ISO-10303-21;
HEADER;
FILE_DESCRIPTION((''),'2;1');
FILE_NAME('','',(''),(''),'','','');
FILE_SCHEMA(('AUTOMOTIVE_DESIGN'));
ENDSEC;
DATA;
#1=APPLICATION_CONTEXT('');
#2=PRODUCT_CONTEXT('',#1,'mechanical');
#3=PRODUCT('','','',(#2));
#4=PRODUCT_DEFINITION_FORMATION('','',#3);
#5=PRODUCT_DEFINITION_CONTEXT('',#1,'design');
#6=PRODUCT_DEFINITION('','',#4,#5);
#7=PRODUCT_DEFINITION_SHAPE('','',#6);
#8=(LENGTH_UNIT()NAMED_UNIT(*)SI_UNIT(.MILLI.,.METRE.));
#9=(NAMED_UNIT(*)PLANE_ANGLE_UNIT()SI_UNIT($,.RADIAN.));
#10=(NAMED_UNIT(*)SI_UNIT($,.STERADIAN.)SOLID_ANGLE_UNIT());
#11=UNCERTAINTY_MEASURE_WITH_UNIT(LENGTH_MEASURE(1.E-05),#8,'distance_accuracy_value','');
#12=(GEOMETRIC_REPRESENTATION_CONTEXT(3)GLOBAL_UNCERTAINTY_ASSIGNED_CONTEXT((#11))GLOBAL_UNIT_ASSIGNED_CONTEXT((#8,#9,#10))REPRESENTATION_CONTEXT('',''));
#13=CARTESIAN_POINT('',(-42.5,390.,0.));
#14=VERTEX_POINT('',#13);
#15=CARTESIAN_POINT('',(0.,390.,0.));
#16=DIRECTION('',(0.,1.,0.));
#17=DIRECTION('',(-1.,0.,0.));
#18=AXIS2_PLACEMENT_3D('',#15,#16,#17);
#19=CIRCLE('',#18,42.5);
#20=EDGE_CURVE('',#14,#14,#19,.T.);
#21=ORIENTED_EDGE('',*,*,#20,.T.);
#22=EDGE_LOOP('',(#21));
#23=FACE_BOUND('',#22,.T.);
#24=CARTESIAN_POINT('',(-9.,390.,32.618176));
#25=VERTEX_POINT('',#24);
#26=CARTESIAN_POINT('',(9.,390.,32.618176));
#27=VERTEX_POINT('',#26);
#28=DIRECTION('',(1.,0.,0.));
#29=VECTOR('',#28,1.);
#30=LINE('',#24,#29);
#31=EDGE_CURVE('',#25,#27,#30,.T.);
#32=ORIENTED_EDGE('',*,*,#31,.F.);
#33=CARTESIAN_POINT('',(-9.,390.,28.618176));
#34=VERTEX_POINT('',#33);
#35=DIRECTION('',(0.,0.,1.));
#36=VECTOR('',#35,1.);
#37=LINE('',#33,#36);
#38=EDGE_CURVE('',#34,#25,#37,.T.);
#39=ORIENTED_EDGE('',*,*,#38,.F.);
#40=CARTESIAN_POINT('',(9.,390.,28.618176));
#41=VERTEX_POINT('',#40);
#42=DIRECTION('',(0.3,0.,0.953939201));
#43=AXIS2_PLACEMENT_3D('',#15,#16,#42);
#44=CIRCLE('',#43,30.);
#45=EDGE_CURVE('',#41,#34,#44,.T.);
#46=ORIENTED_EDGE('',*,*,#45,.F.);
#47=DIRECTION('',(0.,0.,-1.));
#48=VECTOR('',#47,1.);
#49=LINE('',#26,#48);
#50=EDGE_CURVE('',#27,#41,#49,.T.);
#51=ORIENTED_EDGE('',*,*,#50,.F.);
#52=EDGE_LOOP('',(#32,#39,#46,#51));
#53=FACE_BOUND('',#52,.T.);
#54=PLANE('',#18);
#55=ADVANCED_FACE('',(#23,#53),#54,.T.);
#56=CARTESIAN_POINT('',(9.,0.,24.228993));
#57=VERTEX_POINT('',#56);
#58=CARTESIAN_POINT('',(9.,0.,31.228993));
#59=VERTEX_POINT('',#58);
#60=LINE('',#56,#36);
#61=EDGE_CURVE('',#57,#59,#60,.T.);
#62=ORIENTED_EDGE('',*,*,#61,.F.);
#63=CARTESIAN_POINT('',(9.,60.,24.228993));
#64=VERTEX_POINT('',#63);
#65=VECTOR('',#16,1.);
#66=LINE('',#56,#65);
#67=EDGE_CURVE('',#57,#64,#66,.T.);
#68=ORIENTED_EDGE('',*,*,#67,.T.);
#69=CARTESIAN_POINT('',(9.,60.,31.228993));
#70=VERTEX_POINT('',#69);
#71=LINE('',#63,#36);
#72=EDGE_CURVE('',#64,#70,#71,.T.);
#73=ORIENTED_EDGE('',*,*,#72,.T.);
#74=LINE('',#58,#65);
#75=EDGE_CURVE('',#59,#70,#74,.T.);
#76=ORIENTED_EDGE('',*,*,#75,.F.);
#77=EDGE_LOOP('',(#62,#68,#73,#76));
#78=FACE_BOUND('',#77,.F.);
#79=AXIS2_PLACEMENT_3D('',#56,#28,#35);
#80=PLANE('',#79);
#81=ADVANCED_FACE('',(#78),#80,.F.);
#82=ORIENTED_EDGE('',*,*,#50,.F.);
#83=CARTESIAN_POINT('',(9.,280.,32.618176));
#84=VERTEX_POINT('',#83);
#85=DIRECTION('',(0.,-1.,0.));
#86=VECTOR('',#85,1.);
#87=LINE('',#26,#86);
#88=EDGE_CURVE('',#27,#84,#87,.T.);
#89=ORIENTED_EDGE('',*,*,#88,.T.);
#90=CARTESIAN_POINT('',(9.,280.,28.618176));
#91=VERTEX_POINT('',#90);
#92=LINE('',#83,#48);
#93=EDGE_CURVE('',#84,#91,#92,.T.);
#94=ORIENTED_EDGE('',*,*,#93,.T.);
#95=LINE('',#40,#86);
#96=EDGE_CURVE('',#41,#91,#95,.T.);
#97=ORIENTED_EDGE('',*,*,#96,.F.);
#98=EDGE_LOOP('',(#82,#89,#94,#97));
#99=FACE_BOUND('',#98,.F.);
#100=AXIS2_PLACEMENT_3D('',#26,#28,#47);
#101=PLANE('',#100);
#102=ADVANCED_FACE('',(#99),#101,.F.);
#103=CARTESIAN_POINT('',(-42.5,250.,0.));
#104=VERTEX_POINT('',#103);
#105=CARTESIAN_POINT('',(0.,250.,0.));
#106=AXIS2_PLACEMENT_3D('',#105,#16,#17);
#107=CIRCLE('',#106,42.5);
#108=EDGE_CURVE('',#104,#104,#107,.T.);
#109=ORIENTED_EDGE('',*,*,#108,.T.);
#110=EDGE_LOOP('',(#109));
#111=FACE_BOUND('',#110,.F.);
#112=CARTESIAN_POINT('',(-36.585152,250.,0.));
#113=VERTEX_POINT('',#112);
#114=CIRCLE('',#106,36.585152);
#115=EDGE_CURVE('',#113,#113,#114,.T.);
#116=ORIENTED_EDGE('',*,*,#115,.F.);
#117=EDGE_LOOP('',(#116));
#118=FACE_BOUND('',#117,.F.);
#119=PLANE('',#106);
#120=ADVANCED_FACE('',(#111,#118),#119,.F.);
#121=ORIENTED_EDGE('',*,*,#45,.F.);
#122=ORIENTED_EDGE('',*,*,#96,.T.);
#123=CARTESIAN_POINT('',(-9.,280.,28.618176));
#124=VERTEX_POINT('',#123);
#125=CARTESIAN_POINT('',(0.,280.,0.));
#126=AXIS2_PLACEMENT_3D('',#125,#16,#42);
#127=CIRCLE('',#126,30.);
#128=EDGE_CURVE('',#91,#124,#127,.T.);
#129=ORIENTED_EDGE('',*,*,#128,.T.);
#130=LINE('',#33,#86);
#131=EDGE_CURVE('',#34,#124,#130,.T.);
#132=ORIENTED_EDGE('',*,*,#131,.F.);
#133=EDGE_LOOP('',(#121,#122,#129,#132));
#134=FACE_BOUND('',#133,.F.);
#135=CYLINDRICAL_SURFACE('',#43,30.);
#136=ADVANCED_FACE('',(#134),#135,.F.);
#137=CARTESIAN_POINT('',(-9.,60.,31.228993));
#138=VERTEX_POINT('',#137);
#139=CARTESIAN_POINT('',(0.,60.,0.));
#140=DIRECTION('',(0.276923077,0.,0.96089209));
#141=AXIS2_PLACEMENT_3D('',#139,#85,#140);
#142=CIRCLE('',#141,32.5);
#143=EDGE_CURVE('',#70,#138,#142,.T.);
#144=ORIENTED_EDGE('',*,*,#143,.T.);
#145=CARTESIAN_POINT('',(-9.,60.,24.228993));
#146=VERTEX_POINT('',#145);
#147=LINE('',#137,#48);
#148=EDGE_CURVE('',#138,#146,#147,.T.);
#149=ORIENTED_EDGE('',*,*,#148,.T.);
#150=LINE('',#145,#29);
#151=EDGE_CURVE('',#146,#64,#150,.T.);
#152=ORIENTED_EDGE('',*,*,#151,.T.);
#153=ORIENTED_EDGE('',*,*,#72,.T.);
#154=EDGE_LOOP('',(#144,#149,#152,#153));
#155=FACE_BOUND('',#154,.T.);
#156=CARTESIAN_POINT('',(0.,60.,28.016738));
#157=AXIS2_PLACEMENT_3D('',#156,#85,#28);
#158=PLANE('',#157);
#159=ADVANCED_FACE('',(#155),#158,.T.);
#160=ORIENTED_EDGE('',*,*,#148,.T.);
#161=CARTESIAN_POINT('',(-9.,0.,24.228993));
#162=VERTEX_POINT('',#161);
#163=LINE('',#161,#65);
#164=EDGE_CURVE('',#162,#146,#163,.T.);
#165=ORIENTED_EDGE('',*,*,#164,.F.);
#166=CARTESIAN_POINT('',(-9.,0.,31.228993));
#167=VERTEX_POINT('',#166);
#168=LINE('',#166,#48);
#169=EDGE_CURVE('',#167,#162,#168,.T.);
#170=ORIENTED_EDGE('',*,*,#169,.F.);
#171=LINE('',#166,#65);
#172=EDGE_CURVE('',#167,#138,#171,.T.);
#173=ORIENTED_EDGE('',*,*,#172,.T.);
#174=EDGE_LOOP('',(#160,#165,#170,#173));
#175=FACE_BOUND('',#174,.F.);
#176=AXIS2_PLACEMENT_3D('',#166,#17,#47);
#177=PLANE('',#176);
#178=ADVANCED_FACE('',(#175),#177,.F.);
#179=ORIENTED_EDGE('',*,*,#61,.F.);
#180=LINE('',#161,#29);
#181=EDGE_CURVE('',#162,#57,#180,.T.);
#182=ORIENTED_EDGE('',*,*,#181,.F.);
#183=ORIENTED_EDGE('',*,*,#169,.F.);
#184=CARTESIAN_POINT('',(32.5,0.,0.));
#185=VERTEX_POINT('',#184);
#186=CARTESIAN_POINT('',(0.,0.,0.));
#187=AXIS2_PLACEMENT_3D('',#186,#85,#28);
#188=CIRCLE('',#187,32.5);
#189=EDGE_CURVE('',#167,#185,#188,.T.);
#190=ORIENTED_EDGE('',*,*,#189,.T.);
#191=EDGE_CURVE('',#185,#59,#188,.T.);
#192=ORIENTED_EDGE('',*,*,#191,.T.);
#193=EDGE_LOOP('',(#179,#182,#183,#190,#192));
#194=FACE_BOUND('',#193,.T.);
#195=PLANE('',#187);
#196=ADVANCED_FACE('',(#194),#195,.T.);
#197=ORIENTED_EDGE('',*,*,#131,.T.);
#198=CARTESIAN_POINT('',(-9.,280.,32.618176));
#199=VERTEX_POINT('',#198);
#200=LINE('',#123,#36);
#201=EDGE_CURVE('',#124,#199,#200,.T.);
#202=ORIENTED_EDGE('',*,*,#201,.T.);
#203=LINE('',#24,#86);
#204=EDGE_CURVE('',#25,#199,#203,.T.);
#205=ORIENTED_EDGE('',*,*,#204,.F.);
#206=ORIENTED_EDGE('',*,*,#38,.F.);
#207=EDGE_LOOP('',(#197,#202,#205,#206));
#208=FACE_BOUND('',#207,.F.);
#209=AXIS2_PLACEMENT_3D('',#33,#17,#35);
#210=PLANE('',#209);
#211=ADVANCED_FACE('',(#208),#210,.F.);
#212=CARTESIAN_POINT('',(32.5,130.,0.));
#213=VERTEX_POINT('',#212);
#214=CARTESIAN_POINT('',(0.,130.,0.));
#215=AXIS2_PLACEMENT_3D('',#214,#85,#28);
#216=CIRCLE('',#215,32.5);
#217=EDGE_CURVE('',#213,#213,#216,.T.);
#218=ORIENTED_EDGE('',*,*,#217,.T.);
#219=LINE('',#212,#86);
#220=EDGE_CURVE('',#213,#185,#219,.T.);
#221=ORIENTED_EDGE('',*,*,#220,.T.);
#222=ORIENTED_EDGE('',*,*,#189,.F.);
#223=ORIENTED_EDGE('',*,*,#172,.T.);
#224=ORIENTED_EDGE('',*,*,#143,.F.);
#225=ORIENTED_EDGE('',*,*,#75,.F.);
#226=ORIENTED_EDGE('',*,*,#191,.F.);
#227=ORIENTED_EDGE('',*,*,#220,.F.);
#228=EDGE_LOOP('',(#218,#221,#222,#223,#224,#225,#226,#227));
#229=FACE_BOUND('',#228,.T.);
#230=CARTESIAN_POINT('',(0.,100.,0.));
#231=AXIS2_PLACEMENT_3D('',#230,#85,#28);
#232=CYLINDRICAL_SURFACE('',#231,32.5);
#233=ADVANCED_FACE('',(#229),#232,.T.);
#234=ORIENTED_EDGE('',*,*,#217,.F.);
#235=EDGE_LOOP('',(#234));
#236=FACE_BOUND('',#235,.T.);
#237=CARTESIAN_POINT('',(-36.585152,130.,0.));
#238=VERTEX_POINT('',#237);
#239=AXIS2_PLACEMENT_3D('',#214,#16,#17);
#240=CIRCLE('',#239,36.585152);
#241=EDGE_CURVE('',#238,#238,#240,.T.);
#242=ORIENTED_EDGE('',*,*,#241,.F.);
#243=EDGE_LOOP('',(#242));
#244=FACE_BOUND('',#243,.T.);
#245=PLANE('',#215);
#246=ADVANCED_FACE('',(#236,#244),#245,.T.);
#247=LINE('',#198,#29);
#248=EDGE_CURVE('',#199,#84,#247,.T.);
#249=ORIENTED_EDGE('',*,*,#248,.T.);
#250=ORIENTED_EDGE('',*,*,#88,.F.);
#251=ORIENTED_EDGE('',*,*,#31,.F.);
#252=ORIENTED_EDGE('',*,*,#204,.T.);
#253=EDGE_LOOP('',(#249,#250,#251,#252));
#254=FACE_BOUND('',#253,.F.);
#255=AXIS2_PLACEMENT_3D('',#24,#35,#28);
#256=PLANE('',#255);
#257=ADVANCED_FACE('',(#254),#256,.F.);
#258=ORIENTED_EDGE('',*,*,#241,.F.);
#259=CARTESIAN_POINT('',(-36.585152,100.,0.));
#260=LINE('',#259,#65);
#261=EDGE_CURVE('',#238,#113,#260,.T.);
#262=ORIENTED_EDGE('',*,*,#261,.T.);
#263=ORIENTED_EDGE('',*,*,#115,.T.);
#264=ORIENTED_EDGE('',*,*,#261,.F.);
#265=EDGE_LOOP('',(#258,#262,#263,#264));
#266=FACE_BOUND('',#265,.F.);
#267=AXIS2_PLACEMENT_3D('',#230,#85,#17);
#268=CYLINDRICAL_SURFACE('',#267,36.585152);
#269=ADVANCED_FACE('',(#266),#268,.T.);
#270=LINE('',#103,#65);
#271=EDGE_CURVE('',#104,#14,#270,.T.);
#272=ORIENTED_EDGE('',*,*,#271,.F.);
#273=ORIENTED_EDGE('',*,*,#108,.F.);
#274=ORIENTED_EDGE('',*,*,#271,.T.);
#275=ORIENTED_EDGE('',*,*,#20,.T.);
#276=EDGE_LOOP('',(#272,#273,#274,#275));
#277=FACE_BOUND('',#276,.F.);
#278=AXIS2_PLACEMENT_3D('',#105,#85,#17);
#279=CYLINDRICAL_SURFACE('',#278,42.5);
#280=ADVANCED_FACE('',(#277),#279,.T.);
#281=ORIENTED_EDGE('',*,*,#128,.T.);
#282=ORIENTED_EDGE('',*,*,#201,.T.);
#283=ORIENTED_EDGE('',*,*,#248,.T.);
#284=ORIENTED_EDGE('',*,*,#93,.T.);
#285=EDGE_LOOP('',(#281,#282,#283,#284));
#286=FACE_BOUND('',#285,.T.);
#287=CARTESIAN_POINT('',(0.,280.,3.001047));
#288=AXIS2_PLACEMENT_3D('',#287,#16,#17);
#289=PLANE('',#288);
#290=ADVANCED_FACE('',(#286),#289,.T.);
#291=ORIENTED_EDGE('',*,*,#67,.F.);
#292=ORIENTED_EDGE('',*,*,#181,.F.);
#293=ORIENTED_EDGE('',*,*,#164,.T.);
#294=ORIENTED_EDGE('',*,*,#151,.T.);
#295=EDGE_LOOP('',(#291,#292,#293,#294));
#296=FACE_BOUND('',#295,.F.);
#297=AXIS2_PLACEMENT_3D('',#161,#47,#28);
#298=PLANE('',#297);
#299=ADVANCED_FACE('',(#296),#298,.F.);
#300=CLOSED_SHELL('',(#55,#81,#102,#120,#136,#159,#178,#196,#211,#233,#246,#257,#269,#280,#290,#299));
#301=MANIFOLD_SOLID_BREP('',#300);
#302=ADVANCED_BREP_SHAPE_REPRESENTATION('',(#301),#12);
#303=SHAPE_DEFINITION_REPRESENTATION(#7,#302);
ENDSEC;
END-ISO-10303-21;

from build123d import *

# Parameters (mm, degrees)
F0_R      = 32.5
F1_DEPTH  = 100
F2_R      = 36.5851523514
F3_DEPTH  = 150
F4_R      = 42.5
F5_DEPTH  = 140
F7_DEPTH  = 110
F9_DEPTH  = 60
F10_R     = 36.5851523514
F10_R_2   = 32.5
F11_DEPTH = 30


with BuildPart() as f1:
    # F0 (on Front) → F1 (new body)
    with BuildSketch(Plane.XZ):
        Circle(F0_R)
    extrude(amount=-F1_DEPTH)

    # F2 (on face) → F3 (join)
    with BuildSketch(Plane(origin=(0, 100, 0), x_dir=(-1, 0, 0), z_dir=(0, 1, 0))):
        Circle(F2_R)
    extrude(amount=F3_DEPTH)

    # F4 (on face) → F5 (join)
    with BuildSketch(Plane(origin=(0, 250, 0), x_dir=(-1, 0, 0), z_dir=(0, 1, 0))):
        Circle(F4_R)
    extrude(amount=F5_DEPTH)

    # F6 (on face) → F7 (cut)
    with BuildSketch(Plane(origin=(0, 390, 0), x_dir=(-1, 0, 0), z_dir=(0, 1, 0))):
        with BuildLine():
            Line((-9, 32.6181760425), (-9, 28.6181760425))
            ThreePointArc((-9, 28.6181760425), (0, -30), (9, 28.6181760425))
            Line((9, 28.6181760425), (9, 32.6181760425))
            Line((9, 32.6181760425), (-9, 32.6181760425))
        make_face()
    extrude(amount=-F7_DEPTH, mode=Mode.SUBTRACT)

    # F8 (on face) → F9 (cut)
    with BuildSketch(Plane.XZ):
        with BuildLine():
            ThreePointArc((9, 31.2289929393), (0, 32.5), (-9, 31.2289929393))
            Line((-9, 31.2289929393), (-9, 24.2289929393))
            Line((-9, 24.2289929393), (9, 24.2289929393))
            Line((9, 24.2289929393), (9, 31.2289929393))
        make_face()
    extrude(amount=-F9_DEPTH, mode=Mode.SUBTRACT)

    # F10 (on face) → F11 (cut)
    with BuildSketch(Plane.XZ.offset(-100)):
        Circle(F10_R)
        Circle(F10_R_2, mode=Mode.SUBTRACT)
    extrude(amount=-F11_DEPTH, mode=Mode.SUBTRACT)


solid = f1.part
